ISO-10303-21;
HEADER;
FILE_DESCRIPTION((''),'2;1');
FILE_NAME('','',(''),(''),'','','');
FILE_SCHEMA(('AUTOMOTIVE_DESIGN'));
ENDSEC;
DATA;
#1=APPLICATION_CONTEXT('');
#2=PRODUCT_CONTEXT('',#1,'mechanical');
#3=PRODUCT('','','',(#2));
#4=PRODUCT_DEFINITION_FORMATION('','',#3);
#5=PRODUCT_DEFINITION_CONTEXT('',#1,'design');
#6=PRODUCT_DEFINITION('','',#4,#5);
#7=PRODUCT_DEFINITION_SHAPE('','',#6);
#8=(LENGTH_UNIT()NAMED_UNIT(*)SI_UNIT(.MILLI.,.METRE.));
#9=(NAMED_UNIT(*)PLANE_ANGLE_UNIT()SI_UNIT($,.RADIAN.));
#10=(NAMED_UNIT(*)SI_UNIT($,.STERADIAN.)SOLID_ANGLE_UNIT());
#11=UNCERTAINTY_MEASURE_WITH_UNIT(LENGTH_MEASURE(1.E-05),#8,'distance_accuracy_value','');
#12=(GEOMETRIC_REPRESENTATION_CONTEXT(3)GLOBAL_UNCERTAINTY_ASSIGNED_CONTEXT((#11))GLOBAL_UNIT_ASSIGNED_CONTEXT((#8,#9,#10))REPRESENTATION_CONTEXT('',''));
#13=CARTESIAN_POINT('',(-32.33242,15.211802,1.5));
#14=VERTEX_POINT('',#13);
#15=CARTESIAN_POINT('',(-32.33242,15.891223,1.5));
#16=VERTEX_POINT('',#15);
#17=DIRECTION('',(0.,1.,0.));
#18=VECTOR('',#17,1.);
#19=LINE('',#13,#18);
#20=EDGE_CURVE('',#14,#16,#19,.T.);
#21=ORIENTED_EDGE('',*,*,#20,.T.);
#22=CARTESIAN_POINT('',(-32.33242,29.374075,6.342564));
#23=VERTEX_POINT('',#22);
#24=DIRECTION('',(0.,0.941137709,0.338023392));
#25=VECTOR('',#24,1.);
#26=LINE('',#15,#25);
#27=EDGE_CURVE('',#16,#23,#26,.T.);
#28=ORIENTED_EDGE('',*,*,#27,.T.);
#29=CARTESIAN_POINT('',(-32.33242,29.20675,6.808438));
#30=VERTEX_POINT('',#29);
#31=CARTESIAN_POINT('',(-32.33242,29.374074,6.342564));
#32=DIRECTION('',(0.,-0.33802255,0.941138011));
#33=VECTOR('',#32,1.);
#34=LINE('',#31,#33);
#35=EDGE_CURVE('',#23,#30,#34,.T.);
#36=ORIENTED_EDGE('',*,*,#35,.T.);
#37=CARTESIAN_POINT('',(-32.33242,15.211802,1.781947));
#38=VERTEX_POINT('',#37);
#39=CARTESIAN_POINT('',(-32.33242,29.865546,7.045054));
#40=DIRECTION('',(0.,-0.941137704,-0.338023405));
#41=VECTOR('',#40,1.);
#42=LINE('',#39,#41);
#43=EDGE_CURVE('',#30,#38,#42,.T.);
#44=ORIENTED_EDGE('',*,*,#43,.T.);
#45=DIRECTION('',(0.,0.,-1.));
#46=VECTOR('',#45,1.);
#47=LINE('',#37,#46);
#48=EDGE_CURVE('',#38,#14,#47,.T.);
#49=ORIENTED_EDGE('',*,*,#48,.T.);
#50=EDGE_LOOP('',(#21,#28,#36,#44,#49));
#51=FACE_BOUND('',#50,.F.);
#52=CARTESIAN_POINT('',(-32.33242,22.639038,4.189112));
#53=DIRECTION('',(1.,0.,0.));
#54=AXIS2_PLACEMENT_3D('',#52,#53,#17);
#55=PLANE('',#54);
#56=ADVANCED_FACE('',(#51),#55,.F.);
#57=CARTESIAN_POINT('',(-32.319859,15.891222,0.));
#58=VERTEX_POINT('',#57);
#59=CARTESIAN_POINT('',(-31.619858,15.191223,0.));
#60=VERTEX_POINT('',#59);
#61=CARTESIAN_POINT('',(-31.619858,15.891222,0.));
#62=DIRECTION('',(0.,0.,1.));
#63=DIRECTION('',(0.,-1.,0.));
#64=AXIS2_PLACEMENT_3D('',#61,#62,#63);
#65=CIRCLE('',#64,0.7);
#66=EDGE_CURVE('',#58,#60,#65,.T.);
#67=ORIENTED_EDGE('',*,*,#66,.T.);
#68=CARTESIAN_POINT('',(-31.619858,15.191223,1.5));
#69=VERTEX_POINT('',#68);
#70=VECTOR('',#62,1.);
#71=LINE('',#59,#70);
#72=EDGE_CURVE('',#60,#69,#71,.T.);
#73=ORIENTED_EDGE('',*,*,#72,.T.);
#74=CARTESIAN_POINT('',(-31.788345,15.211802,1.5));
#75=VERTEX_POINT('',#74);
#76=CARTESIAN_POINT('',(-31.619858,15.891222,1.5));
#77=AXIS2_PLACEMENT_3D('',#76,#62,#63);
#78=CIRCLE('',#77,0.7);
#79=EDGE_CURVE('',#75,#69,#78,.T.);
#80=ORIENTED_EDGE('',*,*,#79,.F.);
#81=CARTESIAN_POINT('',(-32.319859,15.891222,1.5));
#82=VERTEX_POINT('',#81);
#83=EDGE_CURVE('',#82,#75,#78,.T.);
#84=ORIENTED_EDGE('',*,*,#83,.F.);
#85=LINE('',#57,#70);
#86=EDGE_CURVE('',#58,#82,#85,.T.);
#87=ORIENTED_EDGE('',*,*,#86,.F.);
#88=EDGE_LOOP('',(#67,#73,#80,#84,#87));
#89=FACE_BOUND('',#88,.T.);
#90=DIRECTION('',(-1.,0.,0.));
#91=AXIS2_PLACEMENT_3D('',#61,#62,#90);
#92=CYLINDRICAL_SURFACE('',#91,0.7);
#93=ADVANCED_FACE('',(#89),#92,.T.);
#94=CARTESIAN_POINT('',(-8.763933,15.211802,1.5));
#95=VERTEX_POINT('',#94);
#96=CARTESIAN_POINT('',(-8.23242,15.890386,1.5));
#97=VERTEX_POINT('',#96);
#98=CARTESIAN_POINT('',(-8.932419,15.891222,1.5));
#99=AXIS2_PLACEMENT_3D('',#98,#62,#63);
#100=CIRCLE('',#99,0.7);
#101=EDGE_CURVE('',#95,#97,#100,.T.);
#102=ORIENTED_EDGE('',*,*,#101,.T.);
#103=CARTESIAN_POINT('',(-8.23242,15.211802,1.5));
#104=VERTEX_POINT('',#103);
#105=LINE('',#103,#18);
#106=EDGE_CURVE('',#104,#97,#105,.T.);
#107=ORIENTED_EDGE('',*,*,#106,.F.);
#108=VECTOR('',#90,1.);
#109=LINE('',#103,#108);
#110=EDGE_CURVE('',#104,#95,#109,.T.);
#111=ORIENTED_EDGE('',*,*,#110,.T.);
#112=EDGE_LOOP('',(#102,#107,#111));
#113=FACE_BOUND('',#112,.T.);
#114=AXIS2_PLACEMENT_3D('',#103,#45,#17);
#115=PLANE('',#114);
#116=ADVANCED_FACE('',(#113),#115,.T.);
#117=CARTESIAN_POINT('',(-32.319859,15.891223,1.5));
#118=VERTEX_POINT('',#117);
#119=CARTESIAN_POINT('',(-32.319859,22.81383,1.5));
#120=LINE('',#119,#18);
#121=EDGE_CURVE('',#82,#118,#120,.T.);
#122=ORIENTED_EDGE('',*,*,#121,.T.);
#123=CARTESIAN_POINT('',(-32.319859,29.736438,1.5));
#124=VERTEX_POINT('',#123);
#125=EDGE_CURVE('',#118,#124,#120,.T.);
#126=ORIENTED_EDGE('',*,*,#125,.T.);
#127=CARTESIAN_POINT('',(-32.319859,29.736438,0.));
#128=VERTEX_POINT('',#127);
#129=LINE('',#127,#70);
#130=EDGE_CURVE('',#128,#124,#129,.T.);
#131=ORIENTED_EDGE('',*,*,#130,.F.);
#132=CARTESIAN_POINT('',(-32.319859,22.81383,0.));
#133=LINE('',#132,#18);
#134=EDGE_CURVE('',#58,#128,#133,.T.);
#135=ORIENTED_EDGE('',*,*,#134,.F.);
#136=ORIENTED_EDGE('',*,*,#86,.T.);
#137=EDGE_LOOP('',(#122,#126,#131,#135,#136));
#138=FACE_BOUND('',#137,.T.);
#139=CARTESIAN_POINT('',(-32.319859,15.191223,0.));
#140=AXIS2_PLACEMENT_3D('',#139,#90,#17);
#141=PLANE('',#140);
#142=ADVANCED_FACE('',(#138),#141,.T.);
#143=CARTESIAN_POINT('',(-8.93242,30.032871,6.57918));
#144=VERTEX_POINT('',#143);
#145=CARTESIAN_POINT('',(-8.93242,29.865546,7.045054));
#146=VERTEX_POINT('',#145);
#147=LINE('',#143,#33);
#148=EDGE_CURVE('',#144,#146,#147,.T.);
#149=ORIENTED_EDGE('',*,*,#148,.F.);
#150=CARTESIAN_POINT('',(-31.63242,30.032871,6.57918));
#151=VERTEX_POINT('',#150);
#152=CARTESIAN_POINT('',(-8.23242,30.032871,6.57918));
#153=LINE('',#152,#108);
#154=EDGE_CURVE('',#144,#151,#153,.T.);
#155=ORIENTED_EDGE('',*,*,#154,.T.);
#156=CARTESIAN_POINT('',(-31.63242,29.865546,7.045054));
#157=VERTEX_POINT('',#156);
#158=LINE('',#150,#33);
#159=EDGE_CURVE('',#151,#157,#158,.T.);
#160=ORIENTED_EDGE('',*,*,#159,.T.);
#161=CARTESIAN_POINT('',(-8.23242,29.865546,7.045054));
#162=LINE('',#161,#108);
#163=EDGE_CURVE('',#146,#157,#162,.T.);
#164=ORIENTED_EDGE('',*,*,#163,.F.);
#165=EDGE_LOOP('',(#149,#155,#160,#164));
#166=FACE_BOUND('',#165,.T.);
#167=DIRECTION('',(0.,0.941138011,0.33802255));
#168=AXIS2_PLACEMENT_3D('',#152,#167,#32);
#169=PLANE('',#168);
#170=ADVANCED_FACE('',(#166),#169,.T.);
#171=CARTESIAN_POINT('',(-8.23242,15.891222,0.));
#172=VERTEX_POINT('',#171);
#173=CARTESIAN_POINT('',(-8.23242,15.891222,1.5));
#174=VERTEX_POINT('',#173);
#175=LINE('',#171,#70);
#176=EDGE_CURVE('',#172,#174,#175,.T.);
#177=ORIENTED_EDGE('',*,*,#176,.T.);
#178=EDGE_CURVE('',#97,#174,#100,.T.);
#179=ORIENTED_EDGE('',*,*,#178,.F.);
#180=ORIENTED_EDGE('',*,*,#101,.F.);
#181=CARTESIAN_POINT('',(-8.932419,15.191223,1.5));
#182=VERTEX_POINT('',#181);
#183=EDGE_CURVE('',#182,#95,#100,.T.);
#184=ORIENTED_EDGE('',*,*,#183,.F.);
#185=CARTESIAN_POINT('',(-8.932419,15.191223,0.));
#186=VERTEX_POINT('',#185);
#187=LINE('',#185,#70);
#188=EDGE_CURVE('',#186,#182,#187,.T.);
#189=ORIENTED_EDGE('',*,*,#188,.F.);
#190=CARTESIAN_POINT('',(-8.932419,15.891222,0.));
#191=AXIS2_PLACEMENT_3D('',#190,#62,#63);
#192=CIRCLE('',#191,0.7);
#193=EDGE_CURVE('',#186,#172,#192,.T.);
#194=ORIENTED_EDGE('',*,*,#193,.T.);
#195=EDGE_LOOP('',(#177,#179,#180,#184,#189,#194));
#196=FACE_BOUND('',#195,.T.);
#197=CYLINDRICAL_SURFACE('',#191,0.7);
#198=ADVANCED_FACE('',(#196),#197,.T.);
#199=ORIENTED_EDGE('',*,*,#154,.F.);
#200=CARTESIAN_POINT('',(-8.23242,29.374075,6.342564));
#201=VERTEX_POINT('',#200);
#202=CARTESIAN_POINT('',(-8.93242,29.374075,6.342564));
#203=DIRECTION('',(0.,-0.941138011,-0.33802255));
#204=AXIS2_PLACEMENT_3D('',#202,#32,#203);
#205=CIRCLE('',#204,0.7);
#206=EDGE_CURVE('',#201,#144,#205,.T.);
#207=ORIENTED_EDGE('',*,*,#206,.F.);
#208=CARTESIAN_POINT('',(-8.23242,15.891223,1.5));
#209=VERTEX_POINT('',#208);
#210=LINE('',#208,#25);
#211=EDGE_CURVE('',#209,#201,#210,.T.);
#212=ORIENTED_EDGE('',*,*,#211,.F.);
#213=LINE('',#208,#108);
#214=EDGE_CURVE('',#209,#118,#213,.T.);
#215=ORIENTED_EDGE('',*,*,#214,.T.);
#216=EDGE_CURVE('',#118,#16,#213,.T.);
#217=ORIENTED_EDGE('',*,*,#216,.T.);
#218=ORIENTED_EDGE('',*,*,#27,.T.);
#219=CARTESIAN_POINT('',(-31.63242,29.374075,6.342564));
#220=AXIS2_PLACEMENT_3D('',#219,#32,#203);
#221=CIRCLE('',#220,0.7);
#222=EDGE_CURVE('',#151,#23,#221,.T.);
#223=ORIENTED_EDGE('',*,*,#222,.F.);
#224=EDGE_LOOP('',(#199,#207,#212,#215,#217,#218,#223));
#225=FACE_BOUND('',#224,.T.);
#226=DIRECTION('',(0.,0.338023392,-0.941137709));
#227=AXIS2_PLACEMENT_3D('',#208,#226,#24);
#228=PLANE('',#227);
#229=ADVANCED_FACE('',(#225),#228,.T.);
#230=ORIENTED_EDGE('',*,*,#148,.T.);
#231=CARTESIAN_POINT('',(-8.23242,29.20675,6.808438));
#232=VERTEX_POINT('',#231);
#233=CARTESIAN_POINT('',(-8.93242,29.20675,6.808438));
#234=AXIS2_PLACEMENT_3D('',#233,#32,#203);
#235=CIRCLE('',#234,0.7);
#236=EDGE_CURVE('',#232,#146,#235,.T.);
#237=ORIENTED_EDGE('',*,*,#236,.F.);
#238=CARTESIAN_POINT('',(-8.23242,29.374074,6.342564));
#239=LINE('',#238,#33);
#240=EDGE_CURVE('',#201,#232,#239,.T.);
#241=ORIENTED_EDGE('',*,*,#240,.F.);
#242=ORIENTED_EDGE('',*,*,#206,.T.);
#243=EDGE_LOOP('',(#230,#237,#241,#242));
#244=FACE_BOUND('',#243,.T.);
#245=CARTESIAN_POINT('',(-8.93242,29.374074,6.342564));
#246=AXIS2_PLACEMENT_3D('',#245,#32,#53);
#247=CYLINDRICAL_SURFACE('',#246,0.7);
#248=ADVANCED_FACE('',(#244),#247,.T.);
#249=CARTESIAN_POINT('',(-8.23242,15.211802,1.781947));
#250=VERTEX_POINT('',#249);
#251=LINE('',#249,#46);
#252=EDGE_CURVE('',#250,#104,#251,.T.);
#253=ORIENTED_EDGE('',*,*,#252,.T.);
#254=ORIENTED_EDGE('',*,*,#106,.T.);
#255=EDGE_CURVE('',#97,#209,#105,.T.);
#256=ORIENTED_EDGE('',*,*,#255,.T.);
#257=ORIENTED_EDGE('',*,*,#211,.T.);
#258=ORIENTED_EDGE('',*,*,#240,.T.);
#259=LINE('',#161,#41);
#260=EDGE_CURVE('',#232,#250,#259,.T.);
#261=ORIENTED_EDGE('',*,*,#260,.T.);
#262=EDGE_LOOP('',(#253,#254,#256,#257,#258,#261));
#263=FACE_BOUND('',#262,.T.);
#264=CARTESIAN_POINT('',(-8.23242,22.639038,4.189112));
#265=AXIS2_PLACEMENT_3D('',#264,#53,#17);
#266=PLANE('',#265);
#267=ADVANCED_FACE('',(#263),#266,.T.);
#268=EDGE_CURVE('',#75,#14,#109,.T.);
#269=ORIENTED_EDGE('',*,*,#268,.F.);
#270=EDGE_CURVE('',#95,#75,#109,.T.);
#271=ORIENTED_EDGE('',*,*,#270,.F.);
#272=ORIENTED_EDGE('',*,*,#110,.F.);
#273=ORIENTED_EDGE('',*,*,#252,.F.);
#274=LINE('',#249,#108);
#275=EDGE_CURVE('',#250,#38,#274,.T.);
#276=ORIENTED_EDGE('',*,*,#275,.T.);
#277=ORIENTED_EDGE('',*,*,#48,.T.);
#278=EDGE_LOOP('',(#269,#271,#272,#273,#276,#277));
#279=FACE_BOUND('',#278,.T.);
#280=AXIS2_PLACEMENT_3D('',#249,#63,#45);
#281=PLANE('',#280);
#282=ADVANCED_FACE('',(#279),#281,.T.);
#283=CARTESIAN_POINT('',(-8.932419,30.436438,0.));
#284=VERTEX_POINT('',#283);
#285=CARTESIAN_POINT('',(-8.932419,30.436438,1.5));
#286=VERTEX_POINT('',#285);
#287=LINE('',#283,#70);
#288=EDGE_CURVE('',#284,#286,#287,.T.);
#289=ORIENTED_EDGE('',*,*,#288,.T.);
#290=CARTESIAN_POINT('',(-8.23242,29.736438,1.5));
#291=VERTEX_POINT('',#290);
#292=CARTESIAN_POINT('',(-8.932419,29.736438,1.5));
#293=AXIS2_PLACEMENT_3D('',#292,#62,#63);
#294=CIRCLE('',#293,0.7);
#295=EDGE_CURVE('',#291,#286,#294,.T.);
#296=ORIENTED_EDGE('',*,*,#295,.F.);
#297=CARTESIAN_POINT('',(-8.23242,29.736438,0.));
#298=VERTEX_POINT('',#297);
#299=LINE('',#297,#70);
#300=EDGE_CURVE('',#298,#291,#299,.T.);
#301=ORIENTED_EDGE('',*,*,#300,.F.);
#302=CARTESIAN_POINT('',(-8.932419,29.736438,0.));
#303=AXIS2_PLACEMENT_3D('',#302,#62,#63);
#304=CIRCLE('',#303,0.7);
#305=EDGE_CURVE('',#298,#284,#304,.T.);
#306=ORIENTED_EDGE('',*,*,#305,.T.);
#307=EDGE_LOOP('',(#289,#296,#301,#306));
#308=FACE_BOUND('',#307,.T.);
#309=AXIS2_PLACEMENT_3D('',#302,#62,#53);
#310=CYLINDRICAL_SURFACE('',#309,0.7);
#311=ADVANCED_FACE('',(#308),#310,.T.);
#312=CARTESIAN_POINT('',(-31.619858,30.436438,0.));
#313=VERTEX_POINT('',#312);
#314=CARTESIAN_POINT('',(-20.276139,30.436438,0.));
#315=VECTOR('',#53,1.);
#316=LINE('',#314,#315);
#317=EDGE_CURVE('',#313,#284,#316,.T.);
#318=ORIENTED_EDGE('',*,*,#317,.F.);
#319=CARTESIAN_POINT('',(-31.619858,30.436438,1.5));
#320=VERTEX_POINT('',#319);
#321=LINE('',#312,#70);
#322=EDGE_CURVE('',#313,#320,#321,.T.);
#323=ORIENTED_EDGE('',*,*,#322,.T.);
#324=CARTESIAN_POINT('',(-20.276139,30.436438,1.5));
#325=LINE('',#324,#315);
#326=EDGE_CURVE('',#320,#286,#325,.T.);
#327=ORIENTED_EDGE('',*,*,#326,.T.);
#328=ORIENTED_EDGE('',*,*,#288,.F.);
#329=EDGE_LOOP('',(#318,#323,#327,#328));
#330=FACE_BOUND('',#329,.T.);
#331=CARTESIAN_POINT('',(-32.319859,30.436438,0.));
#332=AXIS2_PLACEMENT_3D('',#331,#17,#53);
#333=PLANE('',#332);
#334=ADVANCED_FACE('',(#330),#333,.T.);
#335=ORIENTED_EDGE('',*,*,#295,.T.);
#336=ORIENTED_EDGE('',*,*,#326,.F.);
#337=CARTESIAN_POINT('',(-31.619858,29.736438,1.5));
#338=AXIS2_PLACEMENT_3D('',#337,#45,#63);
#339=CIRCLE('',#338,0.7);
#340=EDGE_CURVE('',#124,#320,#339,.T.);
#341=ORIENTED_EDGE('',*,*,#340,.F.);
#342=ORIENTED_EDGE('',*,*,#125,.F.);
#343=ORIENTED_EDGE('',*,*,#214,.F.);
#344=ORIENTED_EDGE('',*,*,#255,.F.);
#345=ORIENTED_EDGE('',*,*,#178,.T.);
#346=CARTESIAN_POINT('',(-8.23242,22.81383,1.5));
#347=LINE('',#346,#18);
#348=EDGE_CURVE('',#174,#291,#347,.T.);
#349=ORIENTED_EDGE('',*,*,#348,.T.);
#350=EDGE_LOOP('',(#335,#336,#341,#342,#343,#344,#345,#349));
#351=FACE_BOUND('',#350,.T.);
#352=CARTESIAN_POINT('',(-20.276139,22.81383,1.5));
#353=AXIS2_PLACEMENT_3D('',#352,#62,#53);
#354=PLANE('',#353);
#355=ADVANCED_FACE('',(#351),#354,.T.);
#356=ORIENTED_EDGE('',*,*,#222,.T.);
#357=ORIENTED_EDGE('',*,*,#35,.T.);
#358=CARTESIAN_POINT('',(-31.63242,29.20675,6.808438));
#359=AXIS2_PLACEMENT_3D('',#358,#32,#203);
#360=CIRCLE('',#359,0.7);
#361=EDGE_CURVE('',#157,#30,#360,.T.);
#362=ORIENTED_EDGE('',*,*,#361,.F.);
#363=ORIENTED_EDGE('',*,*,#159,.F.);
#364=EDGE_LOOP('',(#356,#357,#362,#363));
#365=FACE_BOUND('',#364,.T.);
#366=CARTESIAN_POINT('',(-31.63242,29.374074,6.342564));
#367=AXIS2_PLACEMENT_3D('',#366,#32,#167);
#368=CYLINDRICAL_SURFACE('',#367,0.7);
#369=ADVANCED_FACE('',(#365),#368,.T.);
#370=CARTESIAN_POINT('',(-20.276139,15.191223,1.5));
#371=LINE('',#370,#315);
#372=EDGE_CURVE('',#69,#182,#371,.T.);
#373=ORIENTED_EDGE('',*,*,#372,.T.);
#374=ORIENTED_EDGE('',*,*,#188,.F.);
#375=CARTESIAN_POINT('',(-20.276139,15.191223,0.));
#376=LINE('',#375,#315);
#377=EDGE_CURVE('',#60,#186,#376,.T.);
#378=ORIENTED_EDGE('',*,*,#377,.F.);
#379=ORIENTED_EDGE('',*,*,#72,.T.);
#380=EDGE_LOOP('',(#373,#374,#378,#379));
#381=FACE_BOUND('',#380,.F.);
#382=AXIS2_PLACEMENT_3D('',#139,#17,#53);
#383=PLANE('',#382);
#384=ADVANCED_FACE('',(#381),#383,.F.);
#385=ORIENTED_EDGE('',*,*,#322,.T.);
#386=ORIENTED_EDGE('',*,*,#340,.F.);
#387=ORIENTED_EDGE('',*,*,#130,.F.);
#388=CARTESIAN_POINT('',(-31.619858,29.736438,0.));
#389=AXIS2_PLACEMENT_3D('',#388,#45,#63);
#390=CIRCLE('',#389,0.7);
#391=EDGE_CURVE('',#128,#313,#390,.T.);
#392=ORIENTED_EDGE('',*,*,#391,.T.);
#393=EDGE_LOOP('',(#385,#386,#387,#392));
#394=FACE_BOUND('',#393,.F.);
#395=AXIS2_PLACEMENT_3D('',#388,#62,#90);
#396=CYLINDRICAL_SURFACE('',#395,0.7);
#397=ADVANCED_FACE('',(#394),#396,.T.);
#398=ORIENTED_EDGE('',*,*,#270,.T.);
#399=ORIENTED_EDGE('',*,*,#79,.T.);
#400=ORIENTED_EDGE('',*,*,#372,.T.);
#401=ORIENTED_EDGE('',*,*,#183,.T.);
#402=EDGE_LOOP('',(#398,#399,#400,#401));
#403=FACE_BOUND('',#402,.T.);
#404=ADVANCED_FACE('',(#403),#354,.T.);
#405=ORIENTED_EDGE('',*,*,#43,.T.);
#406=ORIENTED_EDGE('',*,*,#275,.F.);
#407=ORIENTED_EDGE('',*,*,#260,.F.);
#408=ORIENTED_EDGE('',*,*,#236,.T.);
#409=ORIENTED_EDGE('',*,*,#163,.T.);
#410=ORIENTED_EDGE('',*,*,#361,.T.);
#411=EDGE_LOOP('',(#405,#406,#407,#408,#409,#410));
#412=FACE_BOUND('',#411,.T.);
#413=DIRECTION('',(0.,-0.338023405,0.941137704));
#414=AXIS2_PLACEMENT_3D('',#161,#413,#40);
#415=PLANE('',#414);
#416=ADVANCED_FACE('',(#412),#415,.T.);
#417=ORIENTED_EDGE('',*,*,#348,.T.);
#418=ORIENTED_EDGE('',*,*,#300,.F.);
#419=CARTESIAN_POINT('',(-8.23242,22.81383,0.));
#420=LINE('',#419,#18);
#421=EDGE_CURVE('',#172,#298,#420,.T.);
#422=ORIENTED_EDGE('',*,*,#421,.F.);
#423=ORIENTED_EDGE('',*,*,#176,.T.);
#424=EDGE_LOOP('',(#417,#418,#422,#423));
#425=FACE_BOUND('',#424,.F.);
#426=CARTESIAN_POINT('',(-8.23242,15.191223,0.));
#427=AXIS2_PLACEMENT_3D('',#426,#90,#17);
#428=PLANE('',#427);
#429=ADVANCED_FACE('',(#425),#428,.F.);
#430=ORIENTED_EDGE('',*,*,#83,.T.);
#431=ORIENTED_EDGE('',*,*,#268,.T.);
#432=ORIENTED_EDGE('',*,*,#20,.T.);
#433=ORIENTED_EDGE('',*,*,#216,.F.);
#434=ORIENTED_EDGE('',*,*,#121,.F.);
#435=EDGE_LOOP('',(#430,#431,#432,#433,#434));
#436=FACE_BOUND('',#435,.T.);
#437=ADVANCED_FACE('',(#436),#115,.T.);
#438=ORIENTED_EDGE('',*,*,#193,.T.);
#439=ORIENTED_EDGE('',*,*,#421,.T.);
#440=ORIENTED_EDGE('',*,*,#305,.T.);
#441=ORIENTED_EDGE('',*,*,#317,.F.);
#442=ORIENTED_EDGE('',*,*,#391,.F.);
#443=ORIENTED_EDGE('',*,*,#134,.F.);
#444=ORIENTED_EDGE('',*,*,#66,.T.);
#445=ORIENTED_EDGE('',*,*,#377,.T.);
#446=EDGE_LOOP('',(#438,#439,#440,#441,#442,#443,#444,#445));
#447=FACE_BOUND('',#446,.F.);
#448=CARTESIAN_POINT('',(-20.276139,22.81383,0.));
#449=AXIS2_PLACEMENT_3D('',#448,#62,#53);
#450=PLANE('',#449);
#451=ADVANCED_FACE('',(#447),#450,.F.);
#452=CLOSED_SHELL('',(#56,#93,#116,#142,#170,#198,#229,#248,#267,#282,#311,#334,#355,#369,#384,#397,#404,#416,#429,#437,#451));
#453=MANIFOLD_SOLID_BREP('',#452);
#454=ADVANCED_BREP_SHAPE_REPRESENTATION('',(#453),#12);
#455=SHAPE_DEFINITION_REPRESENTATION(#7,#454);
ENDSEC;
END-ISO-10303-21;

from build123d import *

# Parameters (mm, degrees)
F0_W     = 24.087439
F0_H     = 15.245215
F1_DEPTH = 1.5
F2_R     = 0.7
F4_DEPTH = 24.1
F5_R     = 0.7


with BuildPart() as f1:
    # F0 (on Top) → F1 (new body)
    with BuildSketch(Plane.XY):
        with Locations((-20.276139, 22.81383)):
            Rectangle(F0_W, F0_H)
    extrude(amount=F1_DEPTH)

    # F2
    f2_edges = [f1.edges().sort_by_distance(p)[0] for p in [
        (-32.319859, 30.436438, 0.75),
        (-32.319859, 15.191223, 0.75),
        (-8.23242, 30.436438, 0.75),
        (-8.23242, 15.191223, 0.75),
    ]]
    fillet(f2_edges, radius=F2_R)

    # F3 (on face) → F4 (join)
    with BuildSketch(Plane.YZ.offset(-8.23242)):
        Polygon((15.211802, 1.5), (15.891223, 1.5), (30.032871, 6.57918), (29.865546, 7.045054), (15.211802, 1.781947), align=None)
    extrude(amount=-F4_DEPTH)

    # F5
    f5_edges = [f1.edges().sort_by_distance(p)[0] for p in [
        (-32.33242, 29.949209, 6.812117),
        (-8.23242, 29.949209, 6.812117),
    ]]
    fillet(f5_edges, radius=F5_R)


solid = f1.part
